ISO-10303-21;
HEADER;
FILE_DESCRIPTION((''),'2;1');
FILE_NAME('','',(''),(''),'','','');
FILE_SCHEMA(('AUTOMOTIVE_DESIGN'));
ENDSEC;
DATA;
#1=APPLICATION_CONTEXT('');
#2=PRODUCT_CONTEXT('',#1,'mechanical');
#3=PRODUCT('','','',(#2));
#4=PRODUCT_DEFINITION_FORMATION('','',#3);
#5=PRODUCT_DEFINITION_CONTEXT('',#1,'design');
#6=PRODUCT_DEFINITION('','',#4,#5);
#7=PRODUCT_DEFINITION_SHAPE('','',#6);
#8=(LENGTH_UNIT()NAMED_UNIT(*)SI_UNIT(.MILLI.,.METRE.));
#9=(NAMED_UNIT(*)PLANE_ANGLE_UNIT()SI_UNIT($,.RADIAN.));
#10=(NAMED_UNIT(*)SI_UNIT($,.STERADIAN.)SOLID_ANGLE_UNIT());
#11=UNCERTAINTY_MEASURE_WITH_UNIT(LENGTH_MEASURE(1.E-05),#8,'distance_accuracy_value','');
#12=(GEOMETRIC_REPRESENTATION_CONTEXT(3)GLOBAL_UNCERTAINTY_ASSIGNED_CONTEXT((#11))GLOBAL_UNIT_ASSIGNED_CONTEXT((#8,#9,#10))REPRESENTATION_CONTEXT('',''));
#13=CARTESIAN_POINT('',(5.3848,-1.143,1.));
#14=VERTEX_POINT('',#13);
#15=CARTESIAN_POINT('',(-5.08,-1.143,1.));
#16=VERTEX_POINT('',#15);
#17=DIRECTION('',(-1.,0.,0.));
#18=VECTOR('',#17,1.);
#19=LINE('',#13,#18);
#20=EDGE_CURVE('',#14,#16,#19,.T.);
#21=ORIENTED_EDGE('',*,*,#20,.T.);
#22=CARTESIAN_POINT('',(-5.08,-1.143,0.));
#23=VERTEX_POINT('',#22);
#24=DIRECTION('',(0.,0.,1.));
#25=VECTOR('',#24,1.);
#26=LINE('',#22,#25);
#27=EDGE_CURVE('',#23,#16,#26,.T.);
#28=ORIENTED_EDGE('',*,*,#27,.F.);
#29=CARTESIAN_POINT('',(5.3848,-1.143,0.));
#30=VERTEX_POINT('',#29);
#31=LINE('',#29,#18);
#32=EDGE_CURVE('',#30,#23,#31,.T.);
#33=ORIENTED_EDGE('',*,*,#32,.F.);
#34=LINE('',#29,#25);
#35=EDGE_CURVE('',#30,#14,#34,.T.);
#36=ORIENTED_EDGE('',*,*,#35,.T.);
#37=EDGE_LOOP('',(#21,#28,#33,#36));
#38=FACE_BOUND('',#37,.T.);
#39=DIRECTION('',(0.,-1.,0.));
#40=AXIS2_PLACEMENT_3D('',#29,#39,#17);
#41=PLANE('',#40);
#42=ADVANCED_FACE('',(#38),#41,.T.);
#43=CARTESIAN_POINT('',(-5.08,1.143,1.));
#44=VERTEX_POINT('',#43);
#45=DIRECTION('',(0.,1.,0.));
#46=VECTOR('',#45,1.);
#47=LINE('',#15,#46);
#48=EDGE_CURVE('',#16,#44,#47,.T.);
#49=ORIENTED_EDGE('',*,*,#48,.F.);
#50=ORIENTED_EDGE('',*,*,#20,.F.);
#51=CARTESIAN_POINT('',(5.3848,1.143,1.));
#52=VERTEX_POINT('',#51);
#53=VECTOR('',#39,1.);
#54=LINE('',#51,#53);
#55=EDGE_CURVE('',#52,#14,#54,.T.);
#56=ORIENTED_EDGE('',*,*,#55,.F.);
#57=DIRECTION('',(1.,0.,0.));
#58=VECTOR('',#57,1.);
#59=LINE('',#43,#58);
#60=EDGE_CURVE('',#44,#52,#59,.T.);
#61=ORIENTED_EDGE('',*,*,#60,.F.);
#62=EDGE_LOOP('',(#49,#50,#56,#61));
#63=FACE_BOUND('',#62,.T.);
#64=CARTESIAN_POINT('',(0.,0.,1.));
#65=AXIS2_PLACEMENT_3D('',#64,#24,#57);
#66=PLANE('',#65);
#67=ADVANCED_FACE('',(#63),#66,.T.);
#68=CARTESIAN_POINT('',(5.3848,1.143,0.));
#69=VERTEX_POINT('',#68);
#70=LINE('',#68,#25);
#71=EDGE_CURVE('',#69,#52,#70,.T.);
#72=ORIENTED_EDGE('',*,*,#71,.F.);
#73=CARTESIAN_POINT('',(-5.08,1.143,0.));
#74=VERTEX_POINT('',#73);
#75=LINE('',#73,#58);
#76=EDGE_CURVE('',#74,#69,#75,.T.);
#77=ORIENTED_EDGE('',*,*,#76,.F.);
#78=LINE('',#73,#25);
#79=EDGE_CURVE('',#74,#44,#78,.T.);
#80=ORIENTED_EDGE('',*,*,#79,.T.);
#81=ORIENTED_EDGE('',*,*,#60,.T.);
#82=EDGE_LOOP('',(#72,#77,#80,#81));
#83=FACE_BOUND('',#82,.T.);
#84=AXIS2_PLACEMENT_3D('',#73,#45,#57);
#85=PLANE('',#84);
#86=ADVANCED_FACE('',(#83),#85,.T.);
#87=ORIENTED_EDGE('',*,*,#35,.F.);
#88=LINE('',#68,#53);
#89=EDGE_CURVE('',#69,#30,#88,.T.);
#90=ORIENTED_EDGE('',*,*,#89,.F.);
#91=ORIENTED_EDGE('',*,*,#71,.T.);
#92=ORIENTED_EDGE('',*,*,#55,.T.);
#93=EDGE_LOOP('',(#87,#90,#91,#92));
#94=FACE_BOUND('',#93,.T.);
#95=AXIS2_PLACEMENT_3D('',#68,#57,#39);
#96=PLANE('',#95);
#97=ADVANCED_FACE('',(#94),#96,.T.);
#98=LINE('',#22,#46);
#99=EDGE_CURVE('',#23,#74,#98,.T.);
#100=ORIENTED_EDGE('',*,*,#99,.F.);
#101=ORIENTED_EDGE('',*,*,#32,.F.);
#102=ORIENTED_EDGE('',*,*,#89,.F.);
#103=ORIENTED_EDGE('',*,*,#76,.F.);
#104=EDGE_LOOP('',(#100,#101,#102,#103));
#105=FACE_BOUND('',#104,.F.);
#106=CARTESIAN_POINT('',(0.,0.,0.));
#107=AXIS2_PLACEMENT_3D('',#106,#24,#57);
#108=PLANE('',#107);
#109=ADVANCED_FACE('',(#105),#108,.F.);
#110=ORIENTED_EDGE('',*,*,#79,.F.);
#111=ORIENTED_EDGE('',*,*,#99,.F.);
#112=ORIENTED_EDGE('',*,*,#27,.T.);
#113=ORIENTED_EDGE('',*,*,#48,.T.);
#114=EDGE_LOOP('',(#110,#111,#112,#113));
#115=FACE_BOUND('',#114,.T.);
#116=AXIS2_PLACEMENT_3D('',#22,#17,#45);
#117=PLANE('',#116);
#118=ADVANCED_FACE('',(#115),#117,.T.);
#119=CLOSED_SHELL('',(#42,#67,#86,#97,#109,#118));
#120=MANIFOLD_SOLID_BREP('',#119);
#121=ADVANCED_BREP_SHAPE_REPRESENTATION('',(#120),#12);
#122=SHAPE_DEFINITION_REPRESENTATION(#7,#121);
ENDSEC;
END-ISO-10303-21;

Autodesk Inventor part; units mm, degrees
ref_plane "YZ Plane" through (0, 0, 0) normal (1, 0, 0) x (0, 1, 0)
ref_plane "XZ Plane" through (0, 0, 0) normal (0, 1, 0) x (-1, 0, 0)
ref_plane "XY Plane" through (0, 0, 0) normal (0, 0, 1) x (1, 0, 0)
sketch "0207_10, 0207_10_44" plane through (0, 0, 0) normal (0, 0, 1) x (1, 0, 0)
  line L0 (-5.08, 1.143) -> (5.3848, 1.143)
  line L1 (5.3848, 1.143) -> (5.3848, -1.143)
  line L2 (5.3848, -1.143) -> (-5.08, -1.143)
  line L3 (-5.08, -1.143) -> (-5.08, 1.143)
extrude "Extrusion1" add sketch "0207_10, 0207_10_44" along normal blind 1
properties part number "0207_10"
